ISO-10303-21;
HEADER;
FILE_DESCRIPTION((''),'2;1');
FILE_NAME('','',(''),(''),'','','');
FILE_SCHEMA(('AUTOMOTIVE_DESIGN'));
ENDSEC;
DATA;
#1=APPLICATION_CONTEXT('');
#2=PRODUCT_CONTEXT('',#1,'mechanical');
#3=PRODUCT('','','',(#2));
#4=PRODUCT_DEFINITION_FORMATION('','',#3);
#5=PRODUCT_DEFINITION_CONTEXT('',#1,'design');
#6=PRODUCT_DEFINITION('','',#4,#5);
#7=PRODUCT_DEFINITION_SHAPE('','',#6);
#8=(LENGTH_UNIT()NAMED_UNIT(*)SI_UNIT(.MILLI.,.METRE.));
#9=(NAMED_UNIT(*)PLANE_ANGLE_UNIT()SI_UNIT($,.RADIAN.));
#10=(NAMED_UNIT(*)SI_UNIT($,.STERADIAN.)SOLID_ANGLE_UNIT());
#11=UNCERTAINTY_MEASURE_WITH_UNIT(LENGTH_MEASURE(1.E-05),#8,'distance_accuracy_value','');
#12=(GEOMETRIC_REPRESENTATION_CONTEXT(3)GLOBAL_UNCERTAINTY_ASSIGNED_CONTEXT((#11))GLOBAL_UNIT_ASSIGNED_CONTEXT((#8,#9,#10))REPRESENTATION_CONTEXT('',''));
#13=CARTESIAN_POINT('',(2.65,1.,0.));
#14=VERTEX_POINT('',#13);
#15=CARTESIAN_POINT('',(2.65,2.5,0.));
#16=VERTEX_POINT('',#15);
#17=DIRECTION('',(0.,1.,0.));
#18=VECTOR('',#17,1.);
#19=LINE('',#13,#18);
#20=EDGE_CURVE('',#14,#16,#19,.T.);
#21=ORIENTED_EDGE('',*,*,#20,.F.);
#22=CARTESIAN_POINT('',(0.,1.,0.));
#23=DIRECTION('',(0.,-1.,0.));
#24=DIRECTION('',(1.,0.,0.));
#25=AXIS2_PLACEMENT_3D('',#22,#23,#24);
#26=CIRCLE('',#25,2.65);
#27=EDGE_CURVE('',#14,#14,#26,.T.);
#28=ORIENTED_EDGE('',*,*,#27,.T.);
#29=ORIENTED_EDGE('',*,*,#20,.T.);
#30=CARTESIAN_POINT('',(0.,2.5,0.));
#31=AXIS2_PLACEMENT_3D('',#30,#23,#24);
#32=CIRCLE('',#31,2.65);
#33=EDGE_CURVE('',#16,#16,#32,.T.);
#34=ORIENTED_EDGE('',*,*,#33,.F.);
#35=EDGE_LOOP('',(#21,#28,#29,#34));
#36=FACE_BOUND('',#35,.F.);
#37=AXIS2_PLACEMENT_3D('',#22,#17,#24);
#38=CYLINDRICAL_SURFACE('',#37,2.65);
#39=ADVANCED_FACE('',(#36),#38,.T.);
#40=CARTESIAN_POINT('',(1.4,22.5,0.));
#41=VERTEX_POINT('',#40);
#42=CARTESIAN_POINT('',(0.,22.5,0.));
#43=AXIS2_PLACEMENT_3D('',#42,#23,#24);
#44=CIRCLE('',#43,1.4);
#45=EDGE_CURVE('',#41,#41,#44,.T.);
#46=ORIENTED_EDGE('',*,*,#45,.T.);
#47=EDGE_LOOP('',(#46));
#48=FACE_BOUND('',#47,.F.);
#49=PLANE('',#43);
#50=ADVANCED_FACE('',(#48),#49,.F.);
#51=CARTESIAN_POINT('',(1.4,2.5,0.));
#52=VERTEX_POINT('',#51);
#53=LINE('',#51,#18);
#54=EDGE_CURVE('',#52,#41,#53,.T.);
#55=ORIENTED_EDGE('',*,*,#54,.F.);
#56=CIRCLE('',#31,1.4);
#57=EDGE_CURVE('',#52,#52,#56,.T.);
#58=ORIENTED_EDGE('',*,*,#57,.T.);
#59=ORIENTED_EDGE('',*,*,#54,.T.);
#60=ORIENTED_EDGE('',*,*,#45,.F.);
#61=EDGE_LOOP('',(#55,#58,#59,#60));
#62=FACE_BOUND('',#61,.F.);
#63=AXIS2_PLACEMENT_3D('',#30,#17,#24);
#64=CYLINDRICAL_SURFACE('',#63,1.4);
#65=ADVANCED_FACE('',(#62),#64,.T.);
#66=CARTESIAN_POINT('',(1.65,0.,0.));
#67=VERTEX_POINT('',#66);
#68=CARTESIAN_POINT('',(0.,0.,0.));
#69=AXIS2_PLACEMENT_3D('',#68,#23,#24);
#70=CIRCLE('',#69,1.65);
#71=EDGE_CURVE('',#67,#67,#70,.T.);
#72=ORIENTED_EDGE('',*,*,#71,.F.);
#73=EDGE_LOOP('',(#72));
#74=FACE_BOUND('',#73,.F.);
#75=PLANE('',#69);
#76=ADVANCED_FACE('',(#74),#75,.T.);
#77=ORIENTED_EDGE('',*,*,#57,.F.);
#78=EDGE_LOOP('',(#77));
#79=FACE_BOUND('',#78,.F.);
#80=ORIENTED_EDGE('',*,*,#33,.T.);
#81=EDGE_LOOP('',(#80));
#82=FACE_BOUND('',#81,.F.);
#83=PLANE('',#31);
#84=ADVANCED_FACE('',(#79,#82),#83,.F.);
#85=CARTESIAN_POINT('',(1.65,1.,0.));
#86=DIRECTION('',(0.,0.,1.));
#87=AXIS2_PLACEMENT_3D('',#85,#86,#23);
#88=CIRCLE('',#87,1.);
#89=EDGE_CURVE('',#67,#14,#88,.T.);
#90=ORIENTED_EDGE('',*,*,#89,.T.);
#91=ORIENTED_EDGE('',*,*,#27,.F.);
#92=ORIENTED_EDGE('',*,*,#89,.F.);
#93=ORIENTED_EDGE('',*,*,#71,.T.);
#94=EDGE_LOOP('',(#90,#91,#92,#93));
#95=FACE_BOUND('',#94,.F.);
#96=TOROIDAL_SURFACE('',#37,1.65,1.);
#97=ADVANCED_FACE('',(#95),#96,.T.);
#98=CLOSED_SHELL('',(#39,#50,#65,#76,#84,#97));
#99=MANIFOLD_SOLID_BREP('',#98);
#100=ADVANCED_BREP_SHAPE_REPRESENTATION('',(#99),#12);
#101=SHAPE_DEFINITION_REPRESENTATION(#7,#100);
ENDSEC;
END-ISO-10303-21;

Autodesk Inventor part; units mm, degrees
ref_plane "YZ Plane" through (0, 0, 0) normal (1, 0, 0) x (0, 1, 0)
ref_plane "XZ Plane" through (0, 0, 0) normal (0, 1, 0) x (-1, 0, 0)
ref_plane "XY Plane" through (0, 0, 0) normal (0, 0, 1) x (1, 0, 0)
sketch "Sketch1" plane through (0, 0, 0) normal (0, 0, 1) x (1, 0, 0)
  line L0 (0, 0) -> (1.65, 0)
  line L1 (2.65, 1) -> (2.65, 2.5)
  line L2 (2.65, 2.5) -> (1.4, 2.5)
  line L3 (1.4, 2.5) -> (1.4, 22.5)
  line L4 (1.4, 22.5) -> (0, 22.5)
  line L5 (0, 22.5) -> (0, 0)
  line L6 (0, 0) -> (-1.65, 0)
  line L7 (-2.65, 1) -> (-2.65, 2.5)
  line L8 (-2.65, 2.5) -> (-1.4, 2.5)
  line L9 (-1.4, 2.5) -> (-1.4, 22.5)
  line L10 (-1.4, 22.5) -> (0, 22.5)
  arc A0 (1.65, 0) -> (2.65, 1) centre (1.65, 1) ccw
  arc A1 (-2.65, 1) -> (-1.65, 0) centre (-1.65, 1) ccw
  dimension "d0" = 2.8
  dimension "d1" = 5.3
  dimension "d2" = 1
  dimension "d3" = 2.5
  dimension "d4" = 20
revolve "Revolution1" add sketch "Sketch1" angle 360 about axis through (0, 22.5, 0) along (0, -1, 0) contours L5 L4 L3 L2 L1 A0 L0
properties part number "screw"
